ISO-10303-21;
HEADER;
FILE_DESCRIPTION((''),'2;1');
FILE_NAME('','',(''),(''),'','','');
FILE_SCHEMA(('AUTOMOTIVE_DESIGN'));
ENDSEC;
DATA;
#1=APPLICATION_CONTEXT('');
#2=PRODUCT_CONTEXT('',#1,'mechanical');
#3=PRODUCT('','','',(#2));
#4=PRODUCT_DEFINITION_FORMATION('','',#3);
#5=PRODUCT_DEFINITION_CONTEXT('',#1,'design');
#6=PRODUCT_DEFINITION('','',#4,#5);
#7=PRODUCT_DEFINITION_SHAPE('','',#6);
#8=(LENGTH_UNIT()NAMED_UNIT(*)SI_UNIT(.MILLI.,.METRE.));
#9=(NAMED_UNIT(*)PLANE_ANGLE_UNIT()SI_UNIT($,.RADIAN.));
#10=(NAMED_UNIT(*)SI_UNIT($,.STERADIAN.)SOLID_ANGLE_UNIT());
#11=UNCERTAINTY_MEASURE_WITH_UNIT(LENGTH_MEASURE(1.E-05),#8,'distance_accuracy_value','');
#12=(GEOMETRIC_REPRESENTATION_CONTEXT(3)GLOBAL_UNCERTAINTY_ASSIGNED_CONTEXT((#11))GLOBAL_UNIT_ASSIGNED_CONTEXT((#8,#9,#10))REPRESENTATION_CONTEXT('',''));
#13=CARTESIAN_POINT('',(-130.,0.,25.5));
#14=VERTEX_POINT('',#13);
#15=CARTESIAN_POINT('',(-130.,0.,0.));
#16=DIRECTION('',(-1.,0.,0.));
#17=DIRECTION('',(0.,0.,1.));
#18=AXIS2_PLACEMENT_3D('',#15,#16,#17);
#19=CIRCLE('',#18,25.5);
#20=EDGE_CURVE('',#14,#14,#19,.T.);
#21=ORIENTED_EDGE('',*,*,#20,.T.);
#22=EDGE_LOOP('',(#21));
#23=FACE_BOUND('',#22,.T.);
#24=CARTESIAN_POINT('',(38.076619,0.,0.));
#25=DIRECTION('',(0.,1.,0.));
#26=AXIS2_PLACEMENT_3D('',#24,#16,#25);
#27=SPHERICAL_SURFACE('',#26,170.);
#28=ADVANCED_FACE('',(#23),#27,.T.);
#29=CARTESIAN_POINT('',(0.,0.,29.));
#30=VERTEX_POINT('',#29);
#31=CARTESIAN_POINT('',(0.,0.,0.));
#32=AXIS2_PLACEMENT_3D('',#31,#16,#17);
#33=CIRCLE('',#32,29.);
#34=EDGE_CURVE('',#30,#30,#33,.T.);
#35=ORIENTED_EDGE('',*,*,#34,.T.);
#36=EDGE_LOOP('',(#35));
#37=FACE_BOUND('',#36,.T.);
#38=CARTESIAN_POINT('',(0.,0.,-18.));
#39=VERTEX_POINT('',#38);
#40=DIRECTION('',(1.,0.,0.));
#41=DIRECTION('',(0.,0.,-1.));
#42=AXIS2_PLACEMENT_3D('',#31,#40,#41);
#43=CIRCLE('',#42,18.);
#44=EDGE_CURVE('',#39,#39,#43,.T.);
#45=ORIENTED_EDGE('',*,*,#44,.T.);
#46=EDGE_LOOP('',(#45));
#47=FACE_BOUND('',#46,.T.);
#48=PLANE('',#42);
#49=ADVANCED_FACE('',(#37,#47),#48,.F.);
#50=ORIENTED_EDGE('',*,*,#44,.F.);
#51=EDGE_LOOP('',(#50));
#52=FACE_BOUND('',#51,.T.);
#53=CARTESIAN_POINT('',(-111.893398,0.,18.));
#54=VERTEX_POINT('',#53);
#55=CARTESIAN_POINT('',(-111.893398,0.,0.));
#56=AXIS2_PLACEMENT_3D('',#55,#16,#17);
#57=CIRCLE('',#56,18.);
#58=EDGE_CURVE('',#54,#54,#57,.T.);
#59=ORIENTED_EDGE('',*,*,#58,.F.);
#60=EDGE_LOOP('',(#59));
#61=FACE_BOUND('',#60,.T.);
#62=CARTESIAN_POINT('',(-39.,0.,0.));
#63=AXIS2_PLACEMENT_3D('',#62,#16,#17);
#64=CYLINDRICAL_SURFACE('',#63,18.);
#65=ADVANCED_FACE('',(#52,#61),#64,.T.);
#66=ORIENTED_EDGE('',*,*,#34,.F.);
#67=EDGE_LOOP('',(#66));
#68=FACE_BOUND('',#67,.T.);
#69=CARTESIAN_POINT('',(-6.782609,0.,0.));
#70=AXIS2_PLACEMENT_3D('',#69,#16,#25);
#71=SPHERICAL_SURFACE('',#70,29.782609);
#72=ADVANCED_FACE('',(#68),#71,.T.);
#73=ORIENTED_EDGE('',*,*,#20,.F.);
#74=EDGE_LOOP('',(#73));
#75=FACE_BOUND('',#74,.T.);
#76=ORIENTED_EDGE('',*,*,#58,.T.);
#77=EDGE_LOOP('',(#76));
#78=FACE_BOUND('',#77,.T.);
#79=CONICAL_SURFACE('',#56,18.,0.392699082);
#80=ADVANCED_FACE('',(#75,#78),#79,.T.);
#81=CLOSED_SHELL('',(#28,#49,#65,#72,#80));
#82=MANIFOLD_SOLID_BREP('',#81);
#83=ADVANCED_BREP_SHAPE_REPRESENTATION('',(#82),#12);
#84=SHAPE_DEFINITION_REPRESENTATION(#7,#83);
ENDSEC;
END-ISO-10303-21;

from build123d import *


with BuildPart() as part:
    # Sketch1 → Base-Revolve (revolve)
    with BuildSketch(Plane.XY, mode=Mode.PRIVATE) as base_revolve_sk:
        with BuildLine():
            Line((-131.923380567, 0), (0, 0))
            Line((0, 0), (0, 18))
            Line((0, 18), (-111.893398282, 18))
            Line((-111.893398282, 18), (-130, 25.5))
            ThreePointArc((-130, 25.5), (-131.44185346, 12.786217119), (-131.923380567, 0))
        make_face()
    revolve(base_revolve_sk.sketch.rotate(Axis((-39, 0, 0), (1, 0, 0)), 90), axis=Axis((-39, 0, 0), (1, 0, 0)))

    # Sketch2 → HeadTypeA (revolve)
    with BuildSketch(Plane.XY):
        with BuildLine():
            Line((0, 0), (23, 0))
            ThreePointArc((23, 0), (16.551996095, 18.506755523), (0, 29))
            Line((0, 29), (0, 0))
        make_face()
    revolve(axis=Axis((-49, 0, 0), (1, 0, 0)))


solid = part.part
